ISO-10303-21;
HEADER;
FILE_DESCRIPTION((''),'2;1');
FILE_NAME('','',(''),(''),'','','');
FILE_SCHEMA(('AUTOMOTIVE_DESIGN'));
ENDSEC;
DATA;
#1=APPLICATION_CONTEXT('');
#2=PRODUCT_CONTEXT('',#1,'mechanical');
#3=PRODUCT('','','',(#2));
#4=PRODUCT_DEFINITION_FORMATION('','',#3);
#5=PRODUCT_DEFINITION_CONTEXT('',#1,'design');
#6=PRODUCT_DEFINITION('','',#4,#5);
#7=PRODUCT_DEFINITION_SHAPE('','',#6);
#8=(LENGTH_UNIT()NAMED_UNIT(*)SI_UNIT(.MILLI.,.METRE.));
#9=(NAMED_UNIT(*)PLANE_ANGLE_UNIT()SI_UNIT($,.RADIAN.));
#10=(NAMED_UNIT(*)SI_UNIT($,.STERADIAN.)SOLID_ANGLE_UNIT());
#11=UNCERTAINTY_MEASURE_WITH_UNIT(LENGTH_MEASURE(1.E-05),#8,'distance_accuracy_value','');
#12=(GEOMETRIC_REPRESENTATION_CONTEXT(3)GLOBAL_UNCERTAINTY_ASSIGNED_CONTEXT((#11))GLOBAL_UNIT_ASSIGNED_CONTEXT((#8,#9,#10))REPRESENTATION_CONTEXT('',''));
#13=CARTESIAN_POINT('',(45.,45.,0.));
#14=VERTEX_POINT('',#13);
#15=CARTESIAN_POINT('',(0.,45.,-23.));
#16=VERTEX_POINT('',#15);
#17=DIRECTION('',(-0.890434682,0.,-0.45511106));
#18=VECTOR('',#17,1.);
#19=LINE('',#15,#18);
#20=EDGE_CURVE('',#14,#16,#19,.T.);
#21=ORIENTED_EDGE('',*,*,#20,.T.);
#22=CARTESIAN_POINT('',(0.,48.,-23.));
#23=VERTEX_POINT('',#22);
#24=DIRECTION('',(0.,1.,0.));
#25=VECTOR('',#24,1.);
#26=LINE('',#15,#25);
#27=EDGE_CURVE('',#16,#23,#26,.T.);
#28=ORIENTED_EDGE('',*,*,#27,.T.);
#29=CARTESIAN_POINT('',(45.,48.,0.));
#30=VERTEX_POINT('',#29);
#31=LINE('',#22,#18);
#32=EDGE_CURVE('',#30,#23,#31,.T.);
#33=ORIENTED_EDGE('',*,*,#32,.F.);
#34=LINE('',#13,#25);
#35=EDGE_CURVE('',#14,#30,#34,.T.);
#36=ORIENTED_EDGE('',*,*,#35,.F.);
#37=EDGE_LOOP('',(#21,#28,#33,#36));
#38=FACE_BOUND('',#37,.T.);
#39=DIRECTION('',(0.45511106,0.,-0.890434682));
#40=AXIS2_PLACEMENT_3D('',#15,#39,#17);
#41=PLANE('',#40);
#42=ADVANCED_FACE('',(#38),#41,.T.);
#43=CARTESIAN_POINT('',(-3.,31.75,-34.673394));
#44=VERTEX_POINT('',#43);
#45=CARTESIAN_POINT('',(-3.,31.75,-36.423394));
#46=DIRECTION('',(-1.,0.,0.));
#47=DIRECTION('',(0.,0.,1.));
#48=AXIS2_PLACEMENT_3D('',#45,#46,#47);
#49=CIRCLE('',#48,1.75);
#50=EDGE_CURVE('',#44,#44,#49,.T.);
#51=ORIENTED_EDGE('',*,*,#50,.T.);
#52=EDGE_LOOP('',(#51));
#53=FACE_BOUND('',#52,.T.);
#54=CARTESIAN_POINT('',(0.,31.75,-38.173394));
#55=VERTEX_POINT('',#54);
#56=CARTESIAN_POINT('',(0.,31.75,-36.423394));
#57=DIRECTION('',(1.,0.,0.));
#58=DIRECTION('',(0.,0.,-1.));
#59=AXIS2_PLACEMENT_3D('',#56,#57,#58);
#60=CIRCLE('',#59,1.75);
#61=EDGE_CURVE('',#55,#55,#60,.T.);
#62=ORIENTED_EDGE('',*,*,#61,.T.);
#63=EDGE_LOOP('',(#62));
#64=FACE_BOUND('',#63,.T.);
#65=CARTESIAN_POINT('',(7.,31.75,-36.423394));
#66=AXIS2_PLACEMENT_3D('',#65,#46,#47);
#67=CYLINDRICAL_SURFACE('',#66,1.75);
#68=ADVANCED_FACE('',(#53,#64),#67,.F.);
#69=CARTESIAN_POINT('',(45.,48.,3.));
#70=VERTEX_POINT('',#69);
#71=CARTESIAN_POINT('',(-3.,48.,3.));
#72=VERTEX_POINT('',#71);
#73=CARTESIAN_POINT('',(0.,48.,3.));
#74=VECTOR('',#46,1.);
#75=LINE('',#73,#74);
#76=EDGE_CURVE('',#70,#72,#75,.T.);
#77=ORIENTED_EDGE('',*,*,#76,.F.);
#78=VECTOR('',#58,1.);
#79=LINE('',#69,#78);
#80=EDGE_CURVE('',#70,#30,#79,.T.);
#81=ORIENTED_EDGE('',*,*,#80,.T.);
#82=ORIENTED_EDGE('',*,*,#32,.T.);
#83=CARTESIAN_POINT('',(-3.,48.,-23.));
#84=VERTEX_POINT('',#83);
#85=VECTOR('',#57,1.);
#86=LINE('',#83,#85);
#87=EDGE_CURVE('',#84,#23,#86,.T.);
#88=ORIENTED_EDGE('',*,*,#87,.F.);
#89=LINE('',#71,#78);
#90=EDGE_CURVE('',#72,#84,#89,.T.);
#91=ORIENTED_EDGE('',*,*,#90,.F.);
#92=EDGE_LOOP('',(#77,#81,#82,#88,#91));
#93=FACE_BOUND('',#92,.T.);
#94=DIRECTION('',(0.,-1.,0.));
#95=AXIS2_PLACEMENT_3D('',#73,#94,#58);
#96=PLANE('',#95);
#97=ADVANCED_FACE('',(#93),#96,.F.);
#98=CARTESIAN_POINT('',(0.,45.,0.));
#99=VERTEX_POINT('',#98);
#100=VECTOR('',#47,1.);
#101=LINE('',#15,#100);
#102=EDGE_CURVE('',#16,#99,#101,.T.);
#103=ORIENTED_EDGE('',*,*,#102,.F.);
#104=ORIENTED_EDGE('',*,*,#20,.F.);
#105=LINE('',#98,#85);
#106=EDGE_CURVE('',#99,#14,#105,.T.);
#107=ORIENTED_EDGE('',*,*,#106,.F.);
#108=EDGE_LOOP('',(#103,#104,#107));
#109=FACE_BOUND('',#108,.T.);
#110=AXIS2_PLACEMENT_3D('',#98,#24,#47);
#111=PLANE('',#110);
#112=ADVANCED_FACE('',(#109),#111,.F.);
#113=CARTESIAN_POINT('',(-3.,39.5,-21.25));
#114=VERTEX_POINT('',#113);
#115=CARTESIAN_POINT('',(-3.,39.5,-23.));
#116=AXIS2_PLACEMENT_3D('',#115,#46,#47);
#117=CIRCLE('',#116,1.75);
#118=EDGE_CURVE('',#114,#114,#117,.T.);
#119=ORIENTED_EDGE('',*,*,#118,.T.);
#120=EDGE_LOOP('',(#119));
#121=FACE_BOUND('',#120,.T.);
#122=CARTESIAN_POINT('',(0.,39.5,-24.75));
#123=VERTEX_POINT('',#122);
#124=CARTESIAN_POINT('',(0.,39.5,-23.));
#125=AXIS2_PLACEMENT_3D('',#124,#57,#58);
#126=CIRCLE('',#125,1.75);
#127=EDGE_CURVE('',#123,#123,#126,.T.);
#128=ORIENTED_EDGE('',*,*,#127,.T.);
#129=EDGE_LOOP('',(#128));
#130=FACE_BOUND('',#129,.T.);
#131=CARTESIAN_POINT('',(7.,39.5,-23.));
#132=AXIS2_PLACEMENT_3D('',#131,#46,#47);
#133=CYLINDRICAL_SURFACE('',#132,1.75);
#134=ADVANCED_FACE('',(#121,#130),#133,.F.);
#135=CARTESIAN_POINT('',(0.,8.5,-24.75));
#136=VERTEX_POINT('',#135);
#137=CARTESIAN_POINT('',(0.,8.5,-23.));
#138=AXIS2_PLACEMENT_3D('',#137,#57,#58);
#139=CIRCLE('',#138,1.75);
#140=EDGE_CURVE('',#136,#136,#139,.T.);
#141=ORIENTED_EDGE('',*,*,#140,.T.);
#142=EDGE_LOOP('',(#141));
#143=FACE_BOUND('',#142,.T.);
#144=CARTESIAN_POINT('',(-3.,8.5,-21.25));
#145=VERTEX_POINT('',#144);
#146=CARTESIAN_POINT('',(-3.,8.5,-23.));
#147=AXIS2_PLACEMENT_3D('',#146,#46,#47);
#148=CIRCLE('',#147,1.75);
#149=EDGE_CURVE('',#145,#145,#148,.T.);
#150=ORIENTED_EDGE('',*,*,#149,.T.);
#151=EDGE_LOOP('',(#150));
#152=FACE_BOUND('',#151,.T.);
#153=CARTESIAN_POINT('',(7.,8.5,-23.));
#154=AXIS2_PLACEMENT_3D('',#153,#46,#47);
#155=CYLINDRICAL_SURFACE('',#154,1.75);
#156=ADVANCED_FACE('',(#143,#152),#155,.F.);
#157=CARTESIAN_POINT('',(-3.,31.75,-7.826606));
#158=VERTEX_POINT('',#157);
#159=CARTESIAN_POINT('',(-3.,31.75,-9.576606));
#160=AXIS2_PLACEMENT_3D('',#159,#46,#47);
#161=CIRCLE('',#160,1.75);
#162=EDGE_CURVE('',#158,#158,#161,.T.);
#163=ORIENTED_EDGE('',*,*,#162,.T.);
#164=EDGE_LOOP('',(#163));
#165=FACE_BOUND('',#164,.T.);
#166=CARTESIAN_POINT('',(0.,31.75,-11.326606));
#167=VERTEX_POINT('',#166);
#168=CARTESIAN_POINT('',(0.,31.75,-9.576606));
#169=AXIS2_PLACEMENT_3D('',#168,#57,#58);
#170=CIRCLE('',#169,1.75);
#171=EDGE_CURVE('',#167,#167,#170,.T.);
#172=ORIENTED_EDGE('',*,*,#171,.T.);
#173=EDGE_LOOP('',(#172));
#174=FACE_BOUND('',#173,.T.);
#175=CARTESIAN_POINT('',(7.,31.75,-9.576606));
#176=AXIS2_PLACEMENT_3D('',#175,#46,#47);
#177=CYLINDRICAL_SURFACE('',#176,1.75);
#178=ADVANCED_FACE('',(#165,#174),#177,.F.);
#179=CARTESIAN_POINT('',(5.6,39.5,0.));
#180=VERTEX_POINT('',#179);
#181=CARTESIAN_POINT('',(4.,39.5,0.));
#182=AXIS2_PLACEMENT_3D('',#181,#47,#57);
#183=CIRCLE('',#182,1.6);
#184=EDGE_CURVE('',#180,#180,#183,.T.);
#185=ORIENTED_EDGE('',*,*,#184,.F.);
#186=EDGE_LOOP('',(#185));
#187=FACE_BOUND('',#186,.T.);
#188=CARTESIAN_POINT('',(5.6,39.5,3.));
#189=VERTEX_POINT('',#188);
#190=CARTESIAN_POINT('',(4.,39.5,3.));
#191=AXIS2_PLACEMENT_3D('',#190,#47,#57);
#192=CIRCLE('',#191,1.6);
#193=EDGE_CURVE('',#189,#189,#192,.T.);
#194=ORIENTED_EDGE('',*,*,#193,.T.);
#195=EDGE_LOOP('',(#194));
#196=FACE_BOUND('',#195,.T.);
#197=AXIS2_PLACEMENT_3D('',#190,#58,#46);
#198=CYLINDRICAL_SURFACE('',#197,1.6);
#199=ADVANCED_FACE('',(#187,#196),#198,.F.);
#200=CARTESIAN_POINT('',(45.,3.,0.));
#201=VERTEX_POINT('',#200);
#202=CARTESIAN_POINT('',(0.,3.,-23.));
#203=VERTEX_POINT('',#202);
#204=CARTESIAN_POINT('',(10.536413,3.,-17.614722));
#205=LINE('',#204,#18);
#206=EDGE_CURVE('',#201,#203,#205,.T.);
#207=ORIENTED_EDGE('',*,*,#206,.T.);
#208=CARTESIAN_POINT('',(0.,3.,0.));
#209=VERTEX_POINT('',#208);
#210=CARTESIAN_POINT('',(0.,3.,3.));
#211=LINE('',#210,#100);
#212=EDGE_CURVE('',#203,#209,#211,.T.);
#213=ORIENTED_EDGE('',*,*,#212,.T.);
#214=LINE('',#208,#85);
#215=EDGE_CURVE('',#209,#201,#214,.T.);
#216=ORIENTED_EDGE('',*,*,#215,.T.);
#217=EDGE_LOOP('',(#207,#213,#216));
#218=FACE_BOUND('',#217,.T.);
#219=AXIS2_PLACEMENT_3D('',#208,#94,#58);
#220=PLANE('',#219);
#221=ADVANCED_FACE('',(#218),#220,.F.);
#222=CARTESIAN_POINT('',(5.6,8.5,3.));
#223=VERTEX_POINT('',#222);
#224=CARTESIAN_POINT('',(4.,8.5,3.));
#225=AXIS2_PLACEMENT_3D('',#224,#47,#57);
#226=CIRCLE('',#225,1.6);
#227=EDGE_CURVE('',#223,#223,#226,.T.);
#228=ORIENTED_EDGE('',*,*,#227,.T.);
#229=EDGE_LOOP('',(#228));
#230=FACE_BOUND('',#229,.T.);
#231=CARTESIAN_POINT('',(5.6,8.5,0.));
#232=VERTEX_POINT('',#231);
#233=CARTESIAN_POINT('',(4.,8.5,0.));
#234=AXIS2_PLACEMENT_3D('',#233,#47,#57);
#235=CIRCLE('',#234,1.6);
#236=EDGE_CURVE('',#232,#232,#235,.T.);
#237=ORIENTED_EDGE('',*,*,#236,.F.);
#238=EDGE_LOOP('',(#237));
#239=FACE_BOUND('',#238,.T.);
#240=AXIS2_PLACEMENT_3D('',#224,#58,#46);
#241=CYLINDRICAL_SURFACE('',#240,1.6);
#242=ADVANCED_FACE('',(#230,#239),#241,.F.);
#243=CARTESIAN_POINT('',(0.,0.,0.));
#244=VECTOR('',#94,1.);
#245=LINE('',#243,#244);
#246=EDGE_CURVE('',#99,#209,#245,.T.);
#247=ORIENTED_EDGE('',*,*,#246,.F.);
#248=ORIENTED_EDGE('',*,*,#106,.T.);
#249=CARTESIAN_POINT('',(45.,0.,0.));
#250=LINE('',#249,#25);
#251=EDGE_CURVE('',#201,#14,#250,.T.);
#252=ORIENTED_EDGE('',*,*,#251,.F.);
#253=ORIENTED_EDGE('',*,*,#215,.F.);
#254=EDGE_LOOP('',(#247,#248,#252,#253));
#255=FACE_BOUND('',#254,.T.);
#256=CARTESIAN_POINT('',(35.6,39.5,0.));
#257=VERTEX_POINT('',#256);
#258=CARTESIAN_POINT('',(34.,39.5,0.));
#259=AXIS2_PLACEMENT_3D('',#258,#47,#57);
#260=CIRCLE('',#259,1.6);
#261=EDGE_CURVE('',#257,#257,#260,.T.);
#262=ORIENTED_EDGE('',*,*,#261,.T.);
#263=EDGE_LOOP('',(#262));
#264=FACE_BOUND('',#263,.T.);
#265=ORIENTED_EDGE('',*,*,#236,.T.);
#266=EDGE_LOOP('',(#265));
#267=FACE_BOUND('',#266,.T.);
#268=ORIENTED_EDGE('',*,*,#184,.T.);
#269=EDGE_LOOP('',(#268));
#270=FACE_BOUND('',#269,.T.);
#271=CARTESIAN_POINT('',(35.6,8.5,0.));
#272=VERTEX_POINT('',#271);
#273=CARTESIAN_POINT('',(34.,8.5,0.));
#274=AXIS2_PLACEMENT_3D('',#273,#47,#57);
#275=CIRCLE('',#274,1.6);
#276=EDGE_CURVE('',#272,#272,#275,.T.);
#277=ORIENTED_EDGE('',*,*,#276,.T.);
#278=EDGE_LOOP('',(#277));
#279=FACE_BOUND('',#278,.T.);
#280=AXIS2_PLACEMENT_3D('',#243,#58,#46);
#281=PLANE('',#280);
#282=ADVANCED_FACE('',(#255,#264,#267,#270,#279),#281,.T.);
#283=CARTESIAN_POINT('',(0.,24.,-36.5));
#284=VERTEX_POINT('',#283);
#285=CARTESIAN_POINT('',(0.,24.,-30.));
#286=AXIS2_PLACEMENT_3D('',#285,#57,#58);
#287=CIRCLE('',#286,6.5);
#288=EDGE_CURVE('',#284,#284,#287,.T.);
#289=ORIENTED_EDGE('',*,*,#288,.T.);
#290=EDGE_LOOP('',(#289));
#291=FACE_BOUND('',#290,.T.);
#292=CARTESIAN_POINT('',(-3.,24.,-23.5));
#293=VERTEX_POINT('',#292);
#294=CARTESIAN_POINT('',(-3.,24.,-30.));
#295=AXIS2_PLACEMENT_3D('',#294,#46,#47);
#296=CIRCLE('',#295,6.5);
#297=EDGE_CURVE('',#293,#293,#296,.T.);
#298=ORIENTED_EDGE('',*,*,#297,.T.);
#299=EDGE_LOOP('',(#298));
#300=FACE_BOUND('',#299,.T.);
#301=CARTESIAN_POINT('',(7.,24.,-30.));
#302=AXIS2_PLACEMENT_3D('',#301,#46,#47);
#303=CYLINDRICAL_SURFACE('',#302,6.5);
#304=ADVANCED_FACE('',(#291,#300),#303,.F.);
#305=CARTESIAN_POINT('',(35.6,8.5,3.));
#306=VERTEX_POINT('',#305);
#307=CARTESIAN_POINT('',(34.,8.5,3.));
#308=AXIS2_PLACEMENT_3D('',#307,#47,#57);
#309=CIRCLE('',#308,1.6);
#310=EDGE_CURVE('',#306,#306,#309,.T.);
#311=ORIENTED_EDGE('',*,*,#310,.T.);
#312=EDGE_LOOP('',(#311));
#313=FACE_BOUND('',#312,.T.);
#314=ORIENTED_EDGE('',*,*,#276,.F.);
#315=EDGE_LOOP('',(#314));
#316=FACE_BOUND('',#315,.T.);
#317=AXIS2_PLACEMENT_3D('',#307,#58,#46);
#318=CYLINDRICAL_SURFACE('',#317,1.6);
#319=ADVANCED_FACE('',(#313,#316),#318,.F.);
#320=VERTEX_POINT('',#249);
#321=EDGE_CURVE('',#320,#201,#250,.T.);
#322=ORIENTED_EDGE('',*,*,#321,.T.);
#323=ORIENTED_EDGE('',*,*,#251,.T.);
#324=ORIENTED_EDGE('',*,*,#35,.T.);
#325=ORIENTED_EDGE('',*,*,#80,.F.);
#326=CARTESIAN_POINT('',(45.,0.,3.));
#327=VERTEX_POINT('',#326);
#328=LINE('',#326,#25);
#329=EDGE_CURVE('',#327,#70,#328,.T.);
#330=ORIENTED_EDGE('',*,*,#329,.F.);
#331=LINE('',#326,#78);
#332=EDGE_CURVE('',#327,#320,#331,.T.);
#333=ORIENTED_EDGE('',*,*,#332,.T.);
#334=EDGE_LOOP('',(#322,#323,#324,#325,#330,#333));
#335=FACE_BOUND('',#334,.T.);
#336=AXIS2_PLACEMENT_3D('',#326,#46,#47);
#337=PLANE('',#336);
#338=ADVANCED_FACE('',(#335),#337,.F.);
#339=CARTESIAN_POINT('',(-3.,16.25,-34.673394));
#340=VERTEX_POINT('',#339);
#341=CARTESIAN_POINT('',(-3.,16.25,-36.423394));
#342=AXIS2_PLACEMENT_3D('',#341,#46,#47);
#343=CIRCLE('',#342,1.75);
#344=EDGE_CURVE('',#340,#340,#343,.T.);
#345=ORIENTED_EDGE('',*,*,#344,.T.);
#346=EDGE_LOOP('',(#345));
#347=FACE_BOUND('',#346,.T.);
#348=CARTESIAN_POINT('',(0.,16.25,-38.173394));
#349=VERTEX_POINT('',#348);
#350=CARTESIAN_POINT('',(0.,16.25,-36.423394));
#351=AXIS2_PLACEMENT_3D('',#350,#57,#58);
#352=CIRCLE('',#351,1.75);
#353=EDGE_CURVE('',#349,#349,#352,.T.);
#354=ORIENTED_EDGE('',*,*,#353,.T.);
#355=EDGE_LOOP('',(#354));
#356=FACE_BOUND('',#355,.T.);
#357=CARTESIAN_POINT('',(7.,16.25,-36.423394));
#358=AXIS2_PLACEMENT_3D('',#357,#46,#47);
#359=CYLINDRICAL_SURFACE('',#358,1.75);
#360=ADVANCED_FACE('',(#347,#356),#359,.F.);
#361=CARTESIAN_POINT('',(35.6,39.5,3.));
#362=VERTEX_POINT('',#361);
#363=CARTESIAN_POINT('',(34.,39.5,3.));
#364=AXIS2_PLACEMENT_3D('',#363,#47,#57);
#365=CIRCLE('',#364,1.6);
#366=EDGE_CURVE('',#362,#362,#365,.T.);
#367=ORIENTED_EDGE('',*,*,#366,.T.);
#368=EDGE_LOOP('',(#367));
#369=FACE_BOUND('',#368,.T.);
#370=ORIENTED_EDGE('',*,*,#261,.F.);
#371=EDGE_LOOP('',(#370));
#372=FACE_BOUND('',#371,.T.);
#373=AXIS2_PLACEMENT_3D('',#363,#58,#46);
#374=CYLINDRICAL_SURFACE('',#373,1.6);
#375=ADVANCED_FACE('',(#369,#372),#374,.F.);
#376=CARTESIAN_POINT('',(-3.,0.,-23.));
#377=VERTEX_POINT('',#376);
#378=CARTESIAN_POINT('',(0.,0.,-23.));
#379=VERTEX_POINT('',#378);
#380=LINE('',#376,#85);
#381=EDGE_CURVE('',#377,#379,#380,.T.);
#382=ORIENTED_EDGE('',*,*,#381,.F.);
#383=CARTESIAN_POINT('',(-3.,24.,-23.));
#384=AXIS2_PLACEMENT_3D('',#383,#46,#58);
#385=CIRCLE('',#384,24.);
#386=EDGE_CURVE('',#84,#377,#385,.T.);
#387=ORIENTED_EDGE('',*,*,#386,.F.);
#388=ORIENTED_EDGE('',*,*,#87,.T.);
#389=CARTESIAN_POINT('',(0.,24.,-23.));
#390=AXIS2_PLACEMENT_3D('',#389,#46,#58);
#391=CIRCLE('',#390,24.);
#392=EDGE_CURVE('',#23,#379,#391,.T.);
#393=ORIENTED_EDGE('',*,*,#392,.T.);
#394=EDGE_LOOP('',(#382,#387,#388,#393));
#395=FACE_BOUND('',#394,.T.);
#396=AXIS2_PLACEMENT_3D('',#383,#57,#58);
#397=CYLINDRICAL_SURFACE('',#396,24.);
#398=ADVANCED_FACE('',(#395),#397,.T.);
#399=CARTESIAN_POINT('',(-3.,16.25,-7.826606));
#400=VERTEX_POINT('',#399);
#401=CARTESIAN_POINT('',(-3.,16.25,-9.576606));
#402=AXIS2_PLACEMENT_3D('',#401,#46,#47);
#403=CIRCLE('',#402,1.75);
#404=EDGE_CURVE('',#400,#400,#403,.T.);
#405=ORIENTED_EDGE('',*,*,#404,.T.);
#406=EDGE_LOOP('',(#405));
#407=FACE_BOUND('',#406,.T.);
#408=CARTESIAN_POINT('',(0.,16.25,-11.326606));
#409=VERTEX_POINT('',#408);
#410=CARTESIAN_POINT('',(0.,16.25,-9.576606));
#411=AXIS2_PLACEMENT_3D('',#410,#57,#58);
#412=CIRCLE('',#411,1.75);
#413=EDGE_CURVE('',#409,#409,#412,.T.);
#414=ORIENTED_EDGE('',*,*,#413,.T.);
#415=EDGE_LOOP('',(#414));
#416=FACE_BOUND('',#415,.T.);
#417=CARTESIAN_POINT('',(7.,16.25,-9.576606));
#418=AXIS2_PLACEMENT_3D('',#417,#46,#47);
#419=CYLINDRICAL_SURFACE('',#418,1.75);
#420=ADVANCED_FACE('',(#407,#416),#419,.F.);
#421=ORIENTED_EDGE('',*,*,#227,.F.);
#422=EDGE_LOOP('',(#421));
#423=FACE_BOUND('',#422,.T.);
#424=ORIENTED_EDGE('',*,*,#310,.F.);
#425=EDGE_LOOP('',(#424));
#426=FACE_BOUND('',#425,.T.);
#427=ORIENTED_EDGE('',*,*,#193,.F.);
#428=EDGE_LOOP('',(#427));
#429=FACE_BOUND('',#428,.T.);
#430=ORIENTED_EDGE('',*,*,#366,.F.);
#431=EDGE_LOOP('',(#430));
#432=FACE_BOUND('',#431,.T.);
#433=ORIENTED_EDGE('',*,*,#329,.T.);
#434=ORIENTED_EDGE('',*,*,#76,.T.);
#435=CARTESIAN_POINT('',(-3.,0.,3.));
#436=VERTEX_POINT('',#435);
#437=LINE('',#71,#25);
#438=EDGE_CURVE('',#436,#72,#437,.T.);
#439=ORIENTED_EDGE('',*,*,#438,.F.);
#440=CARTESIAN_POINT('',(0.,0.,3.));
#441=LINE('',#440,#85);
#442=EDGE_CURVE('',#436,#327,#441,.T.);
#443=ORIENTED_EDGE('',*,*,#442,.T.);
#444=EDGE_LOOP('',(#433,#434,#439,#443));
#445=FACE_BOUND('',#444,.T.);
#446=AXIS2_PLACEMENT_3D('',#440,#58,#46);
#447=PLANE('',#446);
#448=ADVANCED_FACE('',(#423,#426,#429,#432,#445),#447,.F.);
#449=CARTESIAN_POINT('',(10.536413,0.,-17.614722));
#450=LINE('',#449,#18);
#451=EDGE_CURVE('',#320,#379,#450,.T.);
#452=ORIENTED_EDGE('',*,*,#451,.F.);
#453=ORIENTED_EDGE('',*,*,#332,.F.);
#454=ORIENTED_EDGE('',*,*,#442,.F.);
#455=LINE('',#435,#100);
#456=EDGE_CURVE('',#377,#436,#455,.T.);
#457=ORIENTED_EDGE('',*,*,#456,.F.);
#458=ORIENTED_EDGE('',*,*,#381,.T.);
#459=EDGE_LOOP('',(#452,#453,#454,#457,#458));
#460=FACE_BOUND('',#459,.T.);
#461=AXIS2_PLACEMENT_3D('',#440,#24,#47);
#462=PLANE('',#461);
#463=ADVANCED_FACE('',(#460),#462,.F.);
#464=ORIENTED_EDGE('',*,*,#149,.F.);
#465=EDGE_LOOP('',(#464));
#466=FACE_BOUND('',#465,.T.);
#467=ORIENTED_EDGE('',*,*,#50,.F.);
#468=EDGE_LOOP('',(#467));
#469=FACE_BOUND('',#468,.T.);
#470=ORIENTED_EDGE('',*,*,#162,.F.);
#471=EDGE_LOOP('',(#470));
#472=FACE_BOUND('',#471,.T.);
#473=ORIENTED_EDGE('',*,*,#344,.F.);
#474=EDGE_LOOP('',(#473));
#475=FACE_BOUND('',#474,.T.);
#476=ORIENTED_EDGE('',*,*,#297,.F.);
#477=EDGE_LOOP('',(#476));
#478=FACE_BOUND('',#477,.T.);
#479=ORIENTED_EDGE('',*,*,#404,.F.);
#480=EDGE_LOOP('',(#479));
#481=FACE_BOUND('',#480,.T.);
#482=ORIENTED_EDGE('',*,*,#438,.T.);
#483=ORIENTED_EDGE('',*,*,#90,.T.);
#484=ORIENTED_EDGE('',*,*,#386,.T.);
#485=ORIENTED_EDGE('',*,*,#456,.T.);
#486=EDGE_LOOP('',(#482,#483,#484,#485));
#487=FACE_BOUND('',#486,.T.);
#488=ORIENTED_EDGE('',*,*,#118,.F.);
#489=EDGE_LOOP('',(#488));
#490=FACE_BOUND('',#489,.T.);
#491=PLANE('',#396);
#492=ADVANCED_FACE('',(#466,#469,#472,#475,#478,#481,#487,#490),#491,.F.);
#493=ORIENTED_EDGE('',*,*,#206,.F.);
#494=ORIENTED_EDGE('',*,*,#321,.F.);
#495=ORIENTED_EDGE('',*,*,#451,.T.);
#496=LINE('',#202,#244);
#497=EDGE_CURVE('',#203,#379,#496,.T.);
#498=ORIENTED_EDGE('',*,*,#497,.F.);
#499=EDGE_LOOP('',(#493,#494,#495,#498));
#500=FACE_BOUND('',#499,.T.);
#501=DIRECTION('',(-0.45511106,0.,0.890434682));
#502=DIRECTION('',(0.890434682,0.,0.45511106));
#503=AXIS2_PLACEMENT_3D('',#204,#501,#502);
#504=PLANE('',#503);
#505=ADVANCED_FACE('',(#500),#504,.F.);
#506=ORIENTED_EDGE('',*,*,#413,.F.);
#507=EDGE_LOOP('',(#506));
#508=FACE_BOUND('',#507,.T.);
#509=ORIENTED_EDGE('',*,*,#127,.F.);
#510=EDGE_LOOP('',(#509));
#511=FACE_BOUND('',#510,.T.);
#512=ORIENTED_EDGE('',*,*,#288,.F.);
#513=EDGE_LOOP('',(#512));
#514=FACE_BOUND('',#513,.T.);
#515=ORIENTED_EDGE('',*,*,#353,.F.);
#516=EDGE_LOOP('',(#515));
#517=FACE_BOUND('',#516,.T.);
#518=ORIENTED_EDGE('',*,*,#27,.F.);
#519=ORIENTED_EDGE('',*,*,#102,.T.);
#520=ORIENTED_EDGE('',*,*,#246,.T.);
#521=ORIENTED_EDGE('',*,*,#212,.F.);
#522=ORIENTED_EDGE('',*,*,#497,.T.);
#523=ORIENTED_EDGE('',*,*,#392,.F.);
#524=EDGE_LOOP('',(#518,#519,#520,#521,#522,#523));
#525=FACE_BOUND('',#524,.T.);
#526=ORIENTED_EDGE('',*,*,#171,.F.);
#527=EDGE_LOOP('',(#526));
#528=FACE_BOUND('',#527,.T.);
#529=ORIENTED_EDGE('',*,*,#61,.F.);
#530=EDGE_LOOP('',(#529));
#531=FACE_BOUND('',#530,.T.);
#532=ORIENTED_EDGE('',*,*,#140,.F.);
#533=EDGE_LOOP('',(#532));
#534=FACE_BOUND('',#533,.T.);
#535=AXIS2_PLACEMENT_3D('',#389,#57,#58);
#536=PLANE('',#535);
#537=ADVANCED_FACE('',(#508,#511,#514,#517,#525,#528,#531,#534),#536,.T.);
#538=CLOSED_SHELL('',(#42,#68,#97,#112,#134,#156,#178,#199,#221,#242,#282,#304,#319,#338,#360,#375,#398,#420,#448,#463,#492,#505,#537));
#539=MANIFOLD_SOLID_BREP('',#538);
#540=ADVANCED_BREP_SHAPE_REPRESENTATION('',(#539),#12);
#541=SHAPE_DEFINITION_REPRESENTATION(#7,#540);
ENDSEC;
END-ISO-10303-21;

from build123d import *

# Parameters (mm, degrees)
SKETCH1_W           = 45
SKETCH1_H           = 48
SKETCH1_R           = 1.6
BOSS_EXTRUDE1_DEPTH = 3
BOSS_EXTRUDE2_DEPTH = 3
SKETCH4_R           = 6.5
SKETCH4_R_2         = 1.75
CUT_EXTRUDE1_DEPTH  = 10
BOSS_EXTRUDE3_DEPTH = 3
BOSS_EXTRUDE4_START = -48
BOSS_EXTRUDE4_DEPTH = 3


with BuildPart() as part:
    # Sketch1 → Boss-Extrude1 (new body)
    with BuildSketch(Plane.XY):
        with Locations((22.5, 24)):
            Rectangle(SKETCH1_W, SKETCH1_H)
        with Locations((4, 8.5)):
            Circle(SKETCH1_R, mode=Mode.SUBTRACT)
        with Locations((4, 39.5)):
            Circle(SKETCH1_R, mode=Mode.SUBTRACT)
        with Locations((34, 8.5)):
            Circle(SKETCH1_R, mode=Mode.SUBTRACT)
        with Locations((34, 39.5)):
            Circle(SKETCH1_R, mode=Mode.SUBTRACT)
    extrude(amount=BOSS_EXTRUDE1_DEPTH)

    # Sketch2 → Boss-Extrude2 (add)
    with BuildSketch(Plane.ZY):
        with BuildLine():
            Line((3, 48), (-23, 48))
            ThreePointArc((-23, 48), (-47, 24), (-23, 0))
            Line((-23, 0), (3, 0))
            Line((3, 0), (3, 48))
        make_face()
    extrude(amount=BOSS_EXTRUDE2_DEPTH)

    # Sketch4 → Cut-Extrude1 (cut)
    with BuildSketch(Plane.ZY.offset(3)):
        with Locations((-30, 24)):
            Circle(SKETCH4_R)
        with Locations((-23, 39.5)):
            Circle(SKETCH4_R_2)
        with Locations((-9.576606241, 31.75)):
            Circle(SKETCH4_R_2)
        with Locations((-9.576606241, 16.25)):
            Circle(SKETCH4_R_2)
        with Locations((-23, 8.5)):
            Circle(SKETCH4_R_2)
        with Locations((-36.423393759, 16.25)):
            Circle(SKETCH4_R_2)
        with Locations((-36.423393759, 31.75)):
            Circle(SKETCH4_R_2)
    extrude(amount=-CUT_EXTRUDE1_DEPTH, mode=Mode.SUBTRACT)

    # Sketch5 → Boss-Extrude3 (add)
    with BuildSketch(Plane(origin=(0, 48, 0), x_dir=(1, 0, 0), z_dir=(0, 1, 0))):
        Polygon((0, 23), (45, 0), (0, 0), align=None)
    extrude(amount=-BOSS_EXTRUDE3_DEPTH)

    # Sketch5<2> → Boss-Extrude4 (add)
    with BuildSketch(Plane(origin=(0, 48, 0), x_dir=(1, 0, 0), z_dir=(0, 1, 0)).offset(BOSS_EXTRUDE4_START)):
        Polygon((0, 23), (45, 0), (0, 0), align=None)
    extrude(amount=BOSS_EXTRUDE4_DEPTH)


solid = part.part
